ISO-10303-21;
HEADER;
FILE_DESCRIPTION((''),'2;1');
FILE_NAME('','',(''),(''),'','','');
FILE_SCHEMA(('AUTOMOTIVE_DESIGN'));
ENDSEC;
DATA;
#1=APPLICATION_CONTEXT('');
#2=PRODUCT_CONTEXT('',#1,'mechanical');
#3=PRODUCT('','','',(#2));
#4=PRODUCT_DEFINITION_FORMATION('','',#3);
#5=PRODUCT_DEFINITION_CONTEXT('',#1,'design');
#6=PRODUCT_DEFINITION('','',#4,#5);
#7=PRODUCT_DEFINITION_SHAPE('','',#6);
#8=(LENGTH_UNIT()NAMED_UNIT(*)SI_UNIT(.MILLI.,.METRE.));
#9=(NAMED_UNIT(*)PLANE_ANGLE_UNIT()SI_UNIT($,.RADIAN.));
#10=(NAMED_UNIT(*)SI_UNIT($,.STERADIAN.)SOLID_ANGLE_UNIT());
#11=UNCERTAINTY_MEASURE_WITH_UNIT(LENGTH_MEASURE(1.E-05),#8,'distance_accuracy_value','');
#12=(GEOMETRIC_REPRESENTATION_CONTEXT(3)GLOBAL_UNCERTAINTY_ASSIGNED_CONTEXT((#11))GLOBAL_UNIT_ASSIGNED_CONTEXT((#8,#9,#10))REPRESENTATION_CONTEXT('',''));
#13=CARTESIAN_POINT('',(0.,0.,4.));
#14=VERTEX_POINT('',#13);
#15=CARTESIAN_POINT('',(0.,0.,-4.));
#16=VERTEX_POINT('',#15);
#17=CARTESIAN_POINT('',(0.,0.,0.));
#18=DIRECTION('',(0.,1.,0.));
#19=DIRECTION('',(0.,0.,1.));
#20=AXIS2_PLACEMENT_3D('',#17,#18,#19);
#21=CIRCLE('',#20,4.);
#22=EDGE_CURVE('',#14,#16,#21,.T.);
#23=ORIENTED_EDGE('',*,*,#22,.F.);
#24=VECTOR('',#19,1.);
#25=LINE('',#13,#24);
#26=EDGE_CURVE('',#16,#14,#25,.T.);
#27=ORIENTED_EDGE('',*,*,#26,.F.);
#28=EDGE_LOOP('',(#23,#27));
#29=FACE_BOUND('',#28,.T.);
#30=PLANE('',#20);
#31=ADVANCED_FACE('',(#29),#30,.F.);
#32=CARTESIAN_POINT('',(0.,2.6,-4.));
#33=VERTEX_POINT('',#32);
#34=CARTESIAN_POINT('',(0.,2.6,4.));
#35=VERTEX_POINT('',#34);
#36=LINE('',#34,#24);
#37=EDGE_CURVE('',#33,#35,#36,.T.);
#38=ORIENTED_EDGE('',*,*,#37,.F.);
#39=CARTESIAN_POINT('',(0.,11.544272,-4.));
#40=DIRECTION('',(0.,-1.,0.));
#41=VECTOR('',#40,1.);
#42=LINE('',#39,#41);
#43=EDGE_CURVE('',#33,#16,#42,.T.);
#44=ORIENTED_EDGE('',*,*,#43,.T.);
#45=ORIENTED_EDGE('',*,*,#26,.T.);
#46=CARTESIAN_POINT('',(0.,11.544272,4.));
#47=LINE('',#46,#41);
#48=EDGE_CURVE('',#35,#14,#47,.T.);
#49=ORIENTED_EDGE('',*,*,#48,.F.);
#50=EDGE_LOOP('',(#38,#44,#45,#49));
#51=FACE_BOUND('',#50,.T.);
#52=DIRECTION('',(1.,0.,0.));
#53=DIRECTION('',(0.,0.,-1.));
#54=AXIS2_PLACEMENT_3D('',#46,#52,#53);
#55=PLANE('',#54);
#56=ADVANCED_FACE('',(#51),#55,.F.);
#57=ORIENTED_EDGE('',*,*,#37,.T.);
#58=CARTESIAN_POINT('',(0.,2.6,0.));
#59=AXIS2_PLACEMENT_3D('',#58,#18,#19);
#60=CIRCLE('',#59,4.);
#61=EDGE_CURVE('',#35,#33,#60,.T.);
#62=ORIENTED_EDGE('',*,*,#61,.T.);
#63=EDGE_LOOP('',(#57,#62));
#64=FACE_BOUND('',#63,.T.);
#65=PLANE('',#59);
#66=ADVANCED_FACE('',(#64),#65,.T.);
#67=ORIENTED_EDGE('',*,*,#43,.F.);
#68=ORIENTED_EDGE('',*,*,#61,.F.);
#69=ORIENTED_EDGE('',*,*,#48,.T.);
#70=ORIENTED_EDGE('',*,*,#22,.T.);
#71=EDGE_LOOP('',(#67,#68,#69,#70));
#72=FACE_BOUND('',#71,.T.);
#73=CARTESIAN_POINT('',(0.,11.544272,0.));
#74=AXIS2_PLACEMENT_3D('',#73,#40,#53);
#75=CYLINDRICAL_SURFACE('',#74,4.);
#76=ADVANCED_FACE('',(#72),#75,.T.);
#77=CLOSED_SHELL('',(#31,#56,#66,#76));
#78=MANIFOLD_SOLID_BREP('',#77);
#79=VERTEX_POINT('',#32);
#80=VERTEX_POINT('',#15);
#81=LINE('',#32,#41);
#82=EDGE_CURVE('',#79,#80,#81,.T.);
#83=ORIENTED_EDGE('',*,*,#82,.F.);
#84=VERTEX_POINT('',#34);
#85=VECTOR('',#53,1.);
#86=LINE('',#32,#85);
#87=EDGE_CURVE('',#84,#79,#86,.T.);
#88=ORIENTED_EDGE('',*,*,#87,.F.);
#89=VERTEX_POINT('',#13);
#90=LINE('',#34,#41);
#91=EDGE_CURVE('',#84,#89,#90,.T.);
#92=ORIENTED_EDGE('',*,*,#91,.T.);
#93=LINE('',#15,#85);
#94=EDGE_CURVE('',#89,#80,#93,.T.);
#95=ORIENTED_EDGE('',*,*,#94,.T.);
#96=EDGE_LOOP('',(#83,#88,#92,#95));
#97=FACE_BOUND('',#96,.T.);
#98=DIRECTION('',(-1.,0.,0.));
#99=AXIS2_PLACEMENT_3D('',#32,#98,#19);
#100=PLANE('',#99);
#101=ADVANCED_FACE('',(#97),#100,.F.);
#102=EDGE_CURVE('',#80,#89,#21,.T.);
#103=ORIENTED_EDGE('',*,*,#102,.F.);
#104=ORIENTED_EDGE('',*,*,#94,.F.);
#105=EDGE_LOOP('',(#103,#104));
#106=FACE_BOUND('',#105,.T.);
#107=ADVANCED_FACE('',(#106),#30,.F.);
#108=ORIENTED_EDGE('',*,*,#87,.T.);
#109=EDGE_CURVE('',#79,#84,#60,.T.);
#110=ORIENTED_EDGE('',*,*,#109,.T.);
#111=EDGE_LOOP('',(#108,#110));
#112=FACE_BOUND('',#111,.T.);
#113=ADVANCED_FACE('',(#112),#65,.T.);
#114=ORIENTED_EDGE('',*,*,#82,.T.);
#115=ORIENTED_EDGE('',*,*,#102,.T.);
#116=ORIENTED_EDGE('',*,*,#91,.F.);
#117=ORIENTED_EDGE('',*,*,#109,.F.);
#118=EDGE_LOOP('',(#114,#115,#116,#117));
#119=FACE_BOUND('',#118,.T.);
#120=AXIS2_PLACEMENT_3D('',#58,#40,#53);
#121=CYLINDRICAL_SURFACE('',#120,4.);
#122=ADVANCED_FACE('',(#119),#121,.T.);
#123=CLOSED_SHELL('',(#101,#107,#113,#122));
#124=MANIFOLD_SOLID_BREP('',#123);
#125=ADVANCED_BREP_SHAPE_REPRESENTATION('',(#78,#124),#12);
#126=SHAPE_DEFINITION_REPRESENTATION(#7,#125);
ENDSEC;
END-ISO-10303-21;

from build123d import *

# Parameters (mm, degrees)
BOSS_EXTRU_1_DEPTH = 2.6
BOSS_EXTRU_2_DEPTH = 2.6


with BuildPart() as part:
    # Esquisse1 → Boss.-Extru.1 (new body)
    with BuildSketch(Plane(origin=(0, 0, 0), x_dir=(1, 0, 0), z_dir=(0, 1, 0))):
        with BuildLine():
            Line((0, 4), (0, -4))
            ThreePointArc((0, -4), (-4, 0), (0, 4))
        make_face()
    extrude(amount=BOSS_EXTRU_1_DEPTH)


with BuildPart() as body_2:
    # Esquisse2 → Boss.-Extru.2 (new body)
    with BuildSketch(Plane(origin=(0, 0, 0), x_dir=(1, 0, 0), z_dir=(0, 1, 0))):
        with BuildLine():
            Line((0, -4), (0, 4))
            ThreePointArc((0, 4), (4, 0), (0, -4))
        make_face()
    extrude(amount=BOSS_EXTRU_2_DEPTH)


solid = Compound([part.part, body_2.part])
